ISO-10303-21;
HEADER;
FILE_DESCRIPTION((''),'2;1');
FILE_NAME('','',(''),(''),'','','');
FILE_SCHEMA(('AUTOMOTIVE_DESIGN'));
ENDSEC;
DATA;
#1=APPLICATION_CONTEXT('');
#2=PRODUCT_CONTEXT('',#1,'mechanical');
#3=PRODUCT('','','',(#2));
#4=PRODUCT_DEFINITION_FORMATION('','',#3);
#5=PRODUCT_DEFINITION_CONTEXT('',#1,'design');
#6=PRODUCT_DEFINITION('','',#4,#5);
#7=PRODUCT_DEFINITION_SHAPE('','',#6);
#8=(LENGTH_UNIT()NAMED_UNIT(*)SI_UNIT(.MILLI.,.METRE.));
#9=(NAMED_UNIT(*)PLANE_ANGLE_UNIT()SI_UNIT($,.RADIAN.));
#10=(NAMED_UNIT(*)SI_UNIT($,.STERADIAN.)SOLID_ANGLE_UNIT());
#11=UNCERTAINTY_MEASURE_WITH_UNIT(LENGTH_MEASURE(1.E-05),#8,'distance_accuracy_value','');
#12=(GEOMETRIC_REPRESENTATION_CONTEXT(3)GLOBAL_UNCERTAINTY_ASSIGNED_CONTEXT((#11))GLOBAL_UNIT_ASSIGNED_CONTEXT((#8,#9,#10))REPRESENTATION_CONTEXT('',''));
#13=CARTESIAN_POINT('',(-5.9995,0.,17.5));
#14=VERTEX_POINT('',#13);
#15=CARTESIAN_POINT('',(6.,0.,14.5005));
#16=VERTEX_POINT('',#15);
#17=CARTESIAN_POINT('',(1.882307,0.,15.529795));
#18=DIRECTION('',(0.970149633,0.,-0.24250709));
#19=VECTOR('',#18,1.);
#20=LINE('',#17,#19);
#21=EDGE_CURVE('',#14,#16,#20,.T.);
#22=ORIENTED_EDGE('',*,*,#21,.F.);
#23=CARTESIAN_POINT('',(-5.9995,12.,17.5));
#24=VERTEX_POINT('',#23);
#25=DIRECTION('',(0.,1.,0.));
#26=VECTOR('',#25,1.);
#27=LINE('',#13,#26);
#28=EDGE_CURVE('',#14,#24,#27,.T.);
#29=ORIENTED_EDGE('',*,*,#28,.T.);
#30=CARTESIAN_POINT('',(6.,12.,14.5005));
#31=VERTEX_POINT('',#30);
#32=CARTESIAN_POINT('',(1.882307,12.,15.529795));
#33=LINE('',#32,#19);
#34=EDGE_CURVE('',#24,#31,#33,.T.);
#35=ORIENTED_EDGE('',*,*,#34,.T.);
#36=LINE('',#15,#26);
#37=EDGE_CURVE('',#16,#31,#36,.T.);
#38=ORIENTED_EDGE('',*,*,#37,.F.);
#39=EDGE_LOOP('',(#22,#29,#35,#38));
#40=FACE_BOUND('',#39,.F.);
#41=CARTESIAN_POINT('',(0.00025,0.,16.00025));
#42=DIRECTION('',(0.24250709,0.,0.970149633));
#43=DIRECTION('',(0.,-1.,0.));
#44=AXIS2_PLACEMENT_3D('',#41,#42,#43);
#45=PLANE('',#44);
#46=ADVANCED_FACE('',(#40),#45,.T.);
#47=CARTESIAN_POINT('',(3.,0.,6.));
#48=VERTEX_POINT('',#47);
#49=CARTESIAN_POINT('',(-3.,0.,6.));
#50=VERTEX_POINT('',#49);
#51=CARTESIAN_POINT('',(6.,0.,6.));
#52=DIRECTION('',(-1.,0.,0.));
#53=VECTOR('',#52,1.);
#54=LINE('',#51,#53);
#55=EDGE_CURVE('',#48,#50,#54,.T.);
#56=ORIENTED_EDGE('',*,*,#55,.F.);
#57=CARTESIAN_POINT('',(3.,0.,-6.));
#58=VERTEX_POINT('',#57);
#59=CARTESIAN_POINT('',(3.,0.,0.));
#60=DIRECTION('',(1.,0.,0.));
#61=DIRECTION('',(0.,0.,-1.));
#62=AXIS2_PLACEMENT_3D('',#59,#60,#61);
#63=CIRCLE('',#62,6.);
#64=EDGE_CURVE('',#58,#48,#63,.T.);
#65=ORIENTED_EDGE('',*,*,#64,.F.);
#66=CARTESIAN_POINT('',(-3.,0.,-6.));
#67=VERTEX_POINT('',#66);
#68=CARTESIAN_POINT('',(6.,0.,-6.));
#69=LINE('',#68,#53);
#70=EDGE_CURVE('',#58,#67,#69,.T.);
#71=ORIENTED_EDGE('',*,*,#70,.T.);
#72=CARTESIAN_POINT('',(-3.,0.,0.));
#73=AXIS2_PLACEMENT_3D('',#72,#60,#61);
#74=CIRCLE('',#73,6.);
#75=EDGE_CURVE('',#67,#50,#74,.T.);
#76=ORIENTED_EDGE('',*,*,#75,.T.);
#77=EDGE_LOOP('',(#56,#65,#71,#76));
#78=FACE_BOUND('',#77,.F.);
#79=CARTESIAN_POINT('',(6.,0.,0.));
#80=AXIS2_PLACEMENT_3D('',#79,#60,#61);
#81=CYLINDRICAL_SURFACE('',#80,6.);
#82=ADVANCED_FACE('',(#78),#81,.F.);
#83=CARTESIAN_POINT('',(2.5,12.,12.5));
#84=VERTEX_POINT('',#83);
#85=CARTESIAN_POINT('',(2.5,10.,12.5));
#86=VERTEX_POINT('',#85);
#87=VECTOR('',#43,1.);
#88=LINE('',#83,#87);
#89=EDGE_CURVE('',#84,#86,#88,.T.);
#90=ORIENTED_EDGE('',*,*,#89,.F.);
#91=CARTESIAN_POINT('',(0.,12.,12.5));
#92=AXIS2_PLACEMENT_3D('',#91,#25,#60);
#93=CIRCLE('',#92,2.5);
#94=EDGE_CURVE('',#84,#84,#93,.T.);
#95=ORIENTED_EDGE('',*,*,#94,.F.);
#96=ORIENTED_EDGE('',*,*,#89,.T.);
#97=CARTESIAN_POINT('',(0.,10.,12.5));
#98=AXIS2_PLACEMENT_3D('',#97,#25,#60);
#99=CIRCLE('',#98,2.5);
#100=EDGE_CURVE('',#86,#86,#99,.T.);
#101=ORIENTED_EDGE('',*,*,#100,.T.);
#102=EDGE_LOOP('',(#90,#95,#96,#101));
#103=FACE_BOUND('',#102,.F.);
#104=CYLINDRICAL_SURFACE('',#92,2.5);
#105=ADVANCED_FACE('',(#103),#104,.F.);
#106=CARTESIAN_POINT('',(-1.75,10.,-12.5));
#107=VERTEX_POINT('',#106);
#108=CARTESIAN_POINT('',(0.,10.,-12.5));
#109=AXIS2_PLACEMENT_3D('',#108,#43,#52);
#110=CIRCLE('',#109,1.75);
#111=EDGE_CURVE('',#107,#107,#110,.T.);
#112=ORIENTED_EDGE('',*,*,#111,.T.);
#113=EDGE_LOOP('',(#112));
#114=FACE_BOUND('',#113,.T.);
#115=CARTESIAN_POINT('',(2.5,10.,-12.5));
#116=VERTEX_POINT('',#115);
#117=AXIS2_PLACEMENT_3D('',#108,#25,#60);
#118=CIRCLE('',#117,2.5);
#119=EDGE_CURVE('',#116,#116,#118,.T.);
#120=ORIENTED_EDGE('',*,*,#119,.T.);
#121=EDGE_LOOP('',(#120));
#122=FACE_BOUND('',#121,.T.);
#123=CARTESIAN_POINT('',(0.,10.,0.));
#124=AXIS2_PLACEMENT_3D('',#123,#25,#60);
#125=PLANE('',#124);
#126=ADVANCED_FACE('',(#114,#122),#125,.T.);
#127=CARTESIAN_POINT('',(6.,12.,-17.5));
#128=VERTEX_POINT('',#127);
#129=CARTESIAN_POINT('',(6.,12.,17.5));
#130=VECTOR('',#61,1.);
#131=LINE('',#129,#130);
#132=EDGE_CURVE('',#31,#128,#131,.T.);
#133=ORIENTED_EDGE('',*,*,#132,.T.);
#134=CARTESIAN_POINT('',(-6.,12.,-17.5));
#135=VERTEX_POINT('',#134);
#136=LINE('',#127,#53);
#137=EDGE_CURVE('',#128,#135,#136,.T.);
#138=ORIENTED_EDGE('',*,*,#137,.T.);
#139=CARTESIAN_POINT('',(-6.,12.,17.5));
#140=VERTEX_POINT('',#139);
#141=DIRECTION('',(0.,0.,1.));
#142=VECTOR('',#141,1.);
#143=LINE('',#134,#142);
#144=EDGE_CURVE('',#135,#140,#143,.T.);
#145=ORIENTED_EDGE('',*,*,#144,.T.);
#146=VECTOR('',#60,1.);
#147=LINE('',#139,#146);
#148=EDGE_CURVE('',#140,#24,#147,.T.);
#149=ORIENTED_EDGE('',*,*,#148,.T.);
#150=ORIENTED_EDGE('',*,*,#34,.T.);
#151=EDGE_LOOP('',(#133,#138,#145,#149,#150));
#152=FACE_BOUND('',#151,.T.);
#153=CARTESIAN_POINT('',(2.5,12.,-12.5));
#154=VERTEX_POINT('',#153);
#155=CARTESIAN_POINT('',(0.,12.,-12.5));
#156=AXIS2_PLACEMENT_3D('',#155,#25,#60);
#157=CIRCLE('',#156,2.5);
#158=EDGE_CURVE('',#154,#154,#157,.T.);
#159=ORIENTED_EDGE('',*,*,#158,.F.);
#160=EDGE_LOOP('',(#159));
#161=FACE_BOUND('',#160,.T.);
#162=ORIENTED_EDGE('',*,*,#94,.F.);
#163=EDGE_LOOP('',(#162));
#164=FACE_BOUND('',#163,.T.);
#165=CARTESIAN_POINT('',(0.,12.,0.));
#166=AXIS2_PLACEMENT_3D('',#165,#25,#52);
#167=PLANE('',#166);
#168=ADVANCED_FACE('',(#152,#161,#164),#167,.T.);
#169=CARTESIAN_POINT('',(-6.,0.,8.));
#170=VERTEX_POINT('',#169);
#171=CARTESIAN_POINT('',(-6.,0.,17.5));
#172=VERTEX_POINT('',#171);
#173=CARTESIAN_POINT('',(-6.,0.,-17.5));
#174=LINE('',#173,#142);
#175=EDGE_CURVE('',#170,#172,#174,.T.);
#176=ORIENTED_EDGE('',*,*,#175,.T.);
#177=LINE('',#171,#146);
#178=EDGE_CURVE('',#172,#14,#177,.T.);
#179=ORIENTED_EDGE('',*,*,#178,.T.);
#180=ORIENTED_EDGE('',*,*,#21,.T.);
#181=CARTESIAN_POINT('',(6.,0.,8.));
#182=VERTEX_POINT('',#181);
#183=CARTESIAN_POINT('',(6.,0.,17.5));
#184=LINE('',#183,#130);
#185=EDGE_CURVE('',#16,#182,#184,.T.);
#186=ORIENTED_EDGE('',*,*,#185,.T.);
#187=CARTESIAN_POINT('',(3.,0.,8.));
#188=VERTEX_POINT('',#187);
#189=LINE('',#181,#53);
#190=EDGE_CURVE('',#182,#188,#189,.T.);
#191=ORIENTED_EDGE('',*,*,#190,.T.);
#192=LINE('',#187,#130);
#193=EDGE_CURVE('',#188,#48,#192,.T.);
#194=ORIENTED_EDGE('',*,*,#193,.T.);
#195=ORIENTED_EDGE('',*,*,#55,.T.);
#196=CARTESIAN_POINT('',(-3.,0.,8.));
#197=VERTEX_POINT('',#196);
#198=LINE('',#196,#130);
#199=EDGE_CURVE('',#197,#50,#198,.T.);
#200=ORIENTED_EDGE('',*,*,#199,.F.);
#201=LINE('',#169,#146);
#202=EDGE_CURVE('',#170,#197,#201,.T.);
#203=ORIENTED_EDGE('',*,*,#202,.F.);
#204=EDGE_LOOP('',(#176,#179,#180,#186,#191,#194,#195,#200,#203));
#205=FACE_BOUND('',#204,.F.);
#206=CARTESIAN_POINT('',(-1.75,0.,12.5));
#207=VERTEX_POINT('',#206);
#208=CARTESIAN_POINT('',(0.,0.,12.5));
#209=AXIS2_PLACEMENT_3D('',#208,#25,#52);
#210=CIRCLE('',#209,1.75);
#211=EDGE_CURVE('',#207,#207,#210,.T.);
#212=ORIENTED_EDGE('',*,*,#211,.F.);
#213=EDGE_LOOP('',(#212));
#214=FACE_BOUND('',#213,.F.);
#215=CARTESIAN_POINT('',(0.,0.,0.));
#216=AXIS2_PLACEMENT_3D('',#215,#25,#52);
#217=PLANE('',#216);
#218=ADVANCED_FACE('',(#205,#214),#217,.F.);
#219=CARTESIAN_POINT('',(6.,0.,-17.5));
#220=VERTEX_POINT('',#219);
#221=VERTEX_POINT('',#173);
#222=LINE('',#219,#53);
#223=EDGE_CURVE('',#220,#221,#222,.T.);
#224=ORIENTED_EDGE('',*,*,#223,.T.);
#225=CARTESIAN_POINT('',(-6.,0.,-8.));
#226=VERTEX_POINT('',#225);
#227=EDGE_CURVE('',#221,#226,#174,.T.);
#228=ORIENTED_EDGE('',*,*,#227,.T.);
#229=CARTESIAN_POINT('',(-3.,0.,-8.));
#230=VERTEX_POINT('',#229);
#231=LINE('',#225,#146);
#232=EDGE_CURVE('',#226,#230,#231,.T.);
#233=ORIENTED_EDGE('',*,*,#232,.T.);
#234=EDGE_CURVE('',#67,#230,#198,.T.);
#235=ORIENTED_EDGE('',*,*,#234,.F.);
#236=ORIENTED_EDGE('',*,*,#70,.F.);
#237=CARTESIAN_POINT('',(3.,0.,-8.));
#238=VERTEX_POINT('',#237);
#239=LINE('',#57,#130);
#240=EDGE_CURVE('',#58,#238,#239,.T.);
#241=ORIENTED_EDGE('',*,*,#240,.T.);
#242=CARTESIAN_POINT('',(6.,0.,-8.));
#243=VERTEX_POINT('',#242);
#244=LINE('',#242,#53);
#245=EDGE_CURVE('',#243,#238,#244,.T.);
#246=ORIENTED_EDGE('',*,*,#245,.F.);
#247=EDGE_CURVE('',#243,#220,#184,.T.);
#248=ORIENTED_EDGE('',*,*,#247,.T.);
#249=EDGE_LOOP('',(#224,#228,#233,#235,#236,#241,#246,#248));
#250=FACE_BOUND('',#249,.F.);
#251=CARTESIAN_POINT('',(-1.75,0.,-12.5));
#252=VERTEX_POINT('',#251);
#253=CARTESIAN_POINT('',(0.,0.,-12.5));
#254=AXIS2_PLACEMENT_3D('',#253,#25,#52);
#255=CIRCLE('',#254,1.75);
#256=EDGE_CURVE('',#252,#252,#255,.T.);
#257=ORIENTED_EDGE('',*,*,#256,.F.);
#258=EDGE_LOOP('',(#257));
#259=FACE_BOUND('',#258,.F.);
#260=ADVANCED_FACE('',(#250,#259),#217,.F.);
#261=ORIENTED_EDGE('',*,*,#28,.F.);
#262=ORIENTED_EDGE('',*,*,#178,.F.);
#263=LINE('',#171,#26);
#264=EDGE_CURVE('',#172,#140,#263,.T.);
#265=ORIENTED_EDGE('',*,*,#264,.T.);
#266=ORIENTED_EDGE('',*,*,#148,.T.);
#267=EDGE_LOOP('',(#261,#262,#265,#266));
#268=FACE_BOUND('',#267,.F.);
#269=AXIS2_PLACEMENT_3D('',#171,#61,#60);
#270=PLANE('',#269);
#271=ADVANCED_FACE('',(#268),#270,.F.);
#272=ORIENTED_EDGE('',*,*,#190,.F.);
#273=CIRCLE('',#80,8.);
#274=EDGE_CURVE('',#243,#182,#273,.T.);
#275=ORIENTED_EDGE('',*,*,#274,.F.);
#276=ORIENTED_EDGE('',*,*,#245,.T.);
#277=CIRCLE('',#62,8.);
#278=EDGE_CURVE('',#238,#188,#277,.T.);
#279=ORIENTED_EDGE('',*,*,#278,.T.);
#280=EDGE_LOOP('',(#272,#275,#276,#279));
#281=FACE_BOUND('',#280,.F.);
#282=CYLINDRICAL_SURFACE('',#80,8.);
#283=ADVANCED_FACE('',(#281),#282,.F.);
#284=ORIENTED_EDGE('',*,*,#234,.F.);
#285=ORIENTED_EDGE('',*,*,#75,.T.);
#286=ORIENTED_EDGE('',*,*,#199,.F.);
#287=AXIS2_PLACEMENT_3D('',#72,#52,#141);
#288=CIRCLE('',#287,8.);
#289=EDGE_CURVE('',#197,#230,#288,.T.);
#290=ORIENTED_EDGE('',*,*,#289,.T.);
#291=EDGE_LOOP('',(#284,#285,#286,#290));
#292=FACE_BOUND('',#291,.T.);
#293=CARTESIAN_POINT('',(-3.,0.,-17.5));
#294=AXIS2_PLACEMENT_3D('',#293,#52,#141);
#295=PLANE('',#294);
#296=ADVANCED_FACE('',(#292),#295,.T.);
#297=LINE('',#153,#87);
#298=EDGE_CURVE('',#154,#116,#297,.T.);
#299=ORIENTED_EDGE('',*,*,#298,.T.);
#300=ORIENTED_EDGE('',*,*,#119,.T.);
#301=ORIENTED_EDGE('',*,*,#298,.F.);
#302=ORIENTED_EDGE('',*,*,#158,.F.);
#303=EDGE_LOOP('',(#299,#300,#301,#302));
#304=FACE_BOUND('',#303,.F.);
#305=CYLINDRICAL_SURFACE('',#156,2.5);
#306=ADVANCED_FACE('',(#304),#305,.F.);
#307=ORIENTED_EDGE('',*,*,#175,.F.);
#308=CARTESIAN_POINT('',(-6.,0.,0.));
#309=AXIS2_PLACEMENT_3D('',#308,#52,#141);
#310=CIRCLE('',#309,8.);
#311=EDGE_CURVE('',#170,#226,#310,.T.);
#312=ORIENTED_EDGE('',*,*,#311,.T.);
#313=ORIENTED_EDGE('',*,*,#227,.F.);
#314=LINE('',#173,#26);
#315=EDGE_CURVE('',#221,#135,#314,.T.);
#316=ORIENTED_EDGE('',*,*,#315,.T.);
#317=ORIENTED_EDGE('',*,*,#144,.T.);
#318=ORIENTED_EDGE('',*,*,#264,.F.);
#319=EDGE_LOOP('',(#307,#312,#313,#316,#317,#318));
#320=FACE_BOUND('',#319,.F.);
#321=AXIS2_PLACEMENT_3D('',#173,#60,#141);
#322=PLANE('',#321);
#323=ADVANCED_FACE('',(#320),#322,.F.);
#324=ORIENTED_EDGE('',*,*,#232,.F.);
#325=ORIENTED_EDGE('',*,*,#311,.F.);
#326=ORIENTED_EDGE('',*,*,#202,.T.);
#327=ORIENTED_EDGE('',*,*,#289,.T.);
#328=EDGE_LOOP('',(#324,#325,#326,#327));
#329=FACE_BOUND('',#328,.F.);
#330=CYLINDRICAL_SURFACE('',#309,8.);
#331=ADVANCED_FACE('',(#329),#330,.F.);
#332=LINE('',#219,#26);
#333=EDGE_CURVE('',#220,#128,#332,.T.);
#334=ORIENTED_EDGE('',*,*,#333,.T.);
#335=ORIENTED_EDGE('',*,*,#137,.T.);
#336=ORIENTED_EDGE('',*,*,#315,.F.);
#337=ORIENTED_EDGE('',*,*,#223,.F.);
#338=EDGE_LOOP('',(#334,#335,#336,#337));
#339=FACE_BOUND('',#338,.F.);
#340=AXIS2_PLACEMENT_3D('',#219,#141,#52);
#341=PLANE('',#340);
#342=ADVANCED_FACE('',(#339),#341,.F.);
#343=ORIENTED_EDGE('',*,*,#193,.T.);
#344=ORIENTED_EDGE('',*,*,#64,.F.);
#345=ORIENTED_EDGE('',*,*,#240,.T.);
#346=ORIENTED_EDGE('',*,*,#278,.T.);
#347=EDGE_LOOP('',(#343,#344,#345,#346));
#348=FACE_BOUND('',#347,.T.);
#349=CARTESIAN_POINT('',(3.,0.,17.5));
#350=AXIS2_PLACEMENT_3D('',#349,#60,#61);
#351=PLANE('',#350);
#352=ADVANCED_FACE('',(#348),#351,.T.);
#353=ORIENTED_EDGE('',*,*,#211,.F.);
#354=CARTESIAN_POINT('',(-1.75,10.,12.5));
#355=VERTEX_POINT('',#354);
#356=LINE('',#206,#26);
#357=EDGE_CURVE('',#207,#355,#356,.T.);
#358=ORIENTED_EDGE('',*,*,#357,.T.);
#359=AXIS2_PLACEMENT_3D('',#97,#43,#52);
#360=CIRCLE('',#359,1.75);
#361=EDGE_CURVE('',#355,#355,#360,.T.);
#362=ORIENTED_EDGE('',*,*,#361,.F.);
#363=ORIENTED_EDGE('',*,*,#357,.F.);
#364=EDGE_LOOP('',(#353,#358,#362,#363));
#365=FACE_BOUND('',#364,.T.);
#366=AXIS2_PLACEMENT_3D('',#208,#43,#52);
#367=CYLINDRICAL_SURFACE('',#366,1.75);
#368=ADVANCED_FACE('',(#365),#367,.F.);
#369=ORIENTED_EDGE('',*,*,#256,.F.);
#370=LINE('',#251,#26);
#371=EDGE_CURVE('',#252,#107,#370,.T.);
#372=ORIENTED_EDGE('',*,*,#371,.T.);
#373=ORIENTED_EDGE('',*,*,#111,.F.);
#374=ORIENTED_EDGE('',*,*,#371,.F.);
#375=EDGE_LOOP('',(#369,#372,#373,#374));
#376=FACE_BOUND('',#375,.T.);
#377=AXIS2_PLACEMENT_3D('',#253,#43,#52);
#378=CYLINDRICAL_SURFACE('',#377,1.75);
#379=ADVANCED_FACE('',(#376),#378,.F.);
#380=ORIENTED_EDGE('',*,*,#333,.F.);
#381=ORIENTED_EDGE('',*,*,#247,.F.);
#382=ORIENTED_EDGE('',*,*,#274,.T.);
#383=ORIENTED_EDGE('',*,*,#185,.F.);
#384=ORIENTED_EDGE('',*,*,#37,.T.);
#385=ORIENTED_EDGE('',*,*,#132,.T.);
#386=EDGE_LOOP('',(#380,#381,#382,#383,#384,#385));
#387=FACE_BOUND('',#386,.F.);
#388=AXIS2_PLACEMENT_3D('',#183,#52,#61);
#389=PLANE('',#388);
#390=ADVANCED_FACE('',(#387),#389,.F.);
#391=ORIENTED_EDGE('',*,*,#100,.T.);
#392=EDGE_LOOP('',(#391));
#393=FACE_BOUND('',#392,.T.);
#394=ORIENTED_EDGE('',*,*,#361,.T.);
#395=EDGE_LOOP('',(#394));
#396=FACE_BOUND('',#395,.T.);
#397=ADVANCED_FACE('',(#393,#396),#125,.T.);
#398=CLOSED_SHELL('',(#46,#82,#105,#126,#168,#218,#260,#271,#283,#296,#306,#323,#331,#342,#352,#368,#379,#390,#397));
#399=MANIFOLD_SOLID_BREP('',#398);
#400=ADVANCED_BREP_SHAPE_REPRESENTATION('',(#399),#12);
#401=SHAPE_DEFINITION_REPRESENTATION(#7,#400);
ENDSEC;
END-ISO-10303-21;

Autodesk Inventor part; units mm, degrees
ref_plane "YZ Plane" through (0, 0, 0) normal (1, 0, 0) x (0, 1, 0)
ref_plane "XZ Plane" through (0, 0, 0) normal (0, 1, 0) x (-1, 0, 0)
ref_plane "XY Plane" through (0, 0, 0) normal (0, 0, 1) x (1, 0, 0)
sketch "Szkic1" plane through (0, 0, 0) normal (0, 1, 0) x (-1, 0, 0)
  line L0 (-6, -17.5) -> (6, -17.5)
  line L1 (6, -17.5) -> (6, 17.5)
  line L2 (6, 17.5) -> (-6, 17.5)
  line L3 (-6, 17.5) -> (-6, -17.5)
  line L4 (-6, -17.5) -> (6, 17.5) construction
  line L5 (6, -17.5) -> (-6, 17.5) construction
  circle A0 centre (0, 12.5) radius 1.75
  circle A1 centre (0, -12.5) radius 1.75
  point P0 (0, 0)
  dimension "d0" = 12
  dimension "d1" = 35
  dimension "d2" = 3.5
  dimension "d3" = 3.5
extrude "Wyciągnięcie proste1" add sketch "Szkic1" along normal blind 12
sketch "Szkic2" plane through (6, 0, 17.5) normal (1, 0, 0) x (0, 0, -1)
  arc A0 (25.5, 0) -> (9.5, 0) centre (17.5, 0) ccw
  line L0 (9.5, 0) -> (11.5, 0)
  line L1 (23.5, 0) -> (25.5, 0)
  arc A1 (23.5, 0) -> (11.5, 0) centre (17.5, 0) ccw
  dimension "d7" = 16
extrude "Wyciągnięcie proste2" cut sketch "Szkic2" against normal blind 3
sketch "Szkic3" plane through (6, 0, 6) normal (1, 0, 0) x (0, 0, -1)
  line L0 (0, 0) -> (12, 0)
  arc A0 (12, 0) -> (0, 0) centre (6, 0) ccw
extrude "Wyciągnięcie proste3" cut sketch "Szkic3" against normal blind 9
sketch "Szkic4" plane through (-6, 0, -17.5) normal (-1, 0, 0) x (0, 0, 1)
  arc A0 (25.5, 0) -> (9.5, 0) centre (17.5, 0) ccw
  line L0 (25.5, 0) -> (9.5, 0)
  dimension "d13" = 16
sketch "Szkic5" plane through (-6, 0, -17.5) normal (-1, 0, 0) x (0, 0, 1)
  point P0 (17.5, 0)
extrude "Wyciągnięcie proste4" cut sketch "Szkic4" against normal blind 3
sketch "Szkic6" plane through (0, 12, 0) normal (0, 1, 0) x (1, 0, 0)
  circle A0 centre (0, -12.5) radius 2.5
  circle A1 centre (0, 12.5) radius 2.5
  point P0 (0, 0)
  dimension "d16" = 5
  dimension "d17" = 5
extrude "Wyciągnięcie proste5" cut sketch "Szkic6" against normal blind 2
chamfer "Faza1" distance 12 distance2 3 1 edges at (6, 6, 17.5) measured on face at (-2, 4, 17.5)
properties part number "ExtruderClamp"
